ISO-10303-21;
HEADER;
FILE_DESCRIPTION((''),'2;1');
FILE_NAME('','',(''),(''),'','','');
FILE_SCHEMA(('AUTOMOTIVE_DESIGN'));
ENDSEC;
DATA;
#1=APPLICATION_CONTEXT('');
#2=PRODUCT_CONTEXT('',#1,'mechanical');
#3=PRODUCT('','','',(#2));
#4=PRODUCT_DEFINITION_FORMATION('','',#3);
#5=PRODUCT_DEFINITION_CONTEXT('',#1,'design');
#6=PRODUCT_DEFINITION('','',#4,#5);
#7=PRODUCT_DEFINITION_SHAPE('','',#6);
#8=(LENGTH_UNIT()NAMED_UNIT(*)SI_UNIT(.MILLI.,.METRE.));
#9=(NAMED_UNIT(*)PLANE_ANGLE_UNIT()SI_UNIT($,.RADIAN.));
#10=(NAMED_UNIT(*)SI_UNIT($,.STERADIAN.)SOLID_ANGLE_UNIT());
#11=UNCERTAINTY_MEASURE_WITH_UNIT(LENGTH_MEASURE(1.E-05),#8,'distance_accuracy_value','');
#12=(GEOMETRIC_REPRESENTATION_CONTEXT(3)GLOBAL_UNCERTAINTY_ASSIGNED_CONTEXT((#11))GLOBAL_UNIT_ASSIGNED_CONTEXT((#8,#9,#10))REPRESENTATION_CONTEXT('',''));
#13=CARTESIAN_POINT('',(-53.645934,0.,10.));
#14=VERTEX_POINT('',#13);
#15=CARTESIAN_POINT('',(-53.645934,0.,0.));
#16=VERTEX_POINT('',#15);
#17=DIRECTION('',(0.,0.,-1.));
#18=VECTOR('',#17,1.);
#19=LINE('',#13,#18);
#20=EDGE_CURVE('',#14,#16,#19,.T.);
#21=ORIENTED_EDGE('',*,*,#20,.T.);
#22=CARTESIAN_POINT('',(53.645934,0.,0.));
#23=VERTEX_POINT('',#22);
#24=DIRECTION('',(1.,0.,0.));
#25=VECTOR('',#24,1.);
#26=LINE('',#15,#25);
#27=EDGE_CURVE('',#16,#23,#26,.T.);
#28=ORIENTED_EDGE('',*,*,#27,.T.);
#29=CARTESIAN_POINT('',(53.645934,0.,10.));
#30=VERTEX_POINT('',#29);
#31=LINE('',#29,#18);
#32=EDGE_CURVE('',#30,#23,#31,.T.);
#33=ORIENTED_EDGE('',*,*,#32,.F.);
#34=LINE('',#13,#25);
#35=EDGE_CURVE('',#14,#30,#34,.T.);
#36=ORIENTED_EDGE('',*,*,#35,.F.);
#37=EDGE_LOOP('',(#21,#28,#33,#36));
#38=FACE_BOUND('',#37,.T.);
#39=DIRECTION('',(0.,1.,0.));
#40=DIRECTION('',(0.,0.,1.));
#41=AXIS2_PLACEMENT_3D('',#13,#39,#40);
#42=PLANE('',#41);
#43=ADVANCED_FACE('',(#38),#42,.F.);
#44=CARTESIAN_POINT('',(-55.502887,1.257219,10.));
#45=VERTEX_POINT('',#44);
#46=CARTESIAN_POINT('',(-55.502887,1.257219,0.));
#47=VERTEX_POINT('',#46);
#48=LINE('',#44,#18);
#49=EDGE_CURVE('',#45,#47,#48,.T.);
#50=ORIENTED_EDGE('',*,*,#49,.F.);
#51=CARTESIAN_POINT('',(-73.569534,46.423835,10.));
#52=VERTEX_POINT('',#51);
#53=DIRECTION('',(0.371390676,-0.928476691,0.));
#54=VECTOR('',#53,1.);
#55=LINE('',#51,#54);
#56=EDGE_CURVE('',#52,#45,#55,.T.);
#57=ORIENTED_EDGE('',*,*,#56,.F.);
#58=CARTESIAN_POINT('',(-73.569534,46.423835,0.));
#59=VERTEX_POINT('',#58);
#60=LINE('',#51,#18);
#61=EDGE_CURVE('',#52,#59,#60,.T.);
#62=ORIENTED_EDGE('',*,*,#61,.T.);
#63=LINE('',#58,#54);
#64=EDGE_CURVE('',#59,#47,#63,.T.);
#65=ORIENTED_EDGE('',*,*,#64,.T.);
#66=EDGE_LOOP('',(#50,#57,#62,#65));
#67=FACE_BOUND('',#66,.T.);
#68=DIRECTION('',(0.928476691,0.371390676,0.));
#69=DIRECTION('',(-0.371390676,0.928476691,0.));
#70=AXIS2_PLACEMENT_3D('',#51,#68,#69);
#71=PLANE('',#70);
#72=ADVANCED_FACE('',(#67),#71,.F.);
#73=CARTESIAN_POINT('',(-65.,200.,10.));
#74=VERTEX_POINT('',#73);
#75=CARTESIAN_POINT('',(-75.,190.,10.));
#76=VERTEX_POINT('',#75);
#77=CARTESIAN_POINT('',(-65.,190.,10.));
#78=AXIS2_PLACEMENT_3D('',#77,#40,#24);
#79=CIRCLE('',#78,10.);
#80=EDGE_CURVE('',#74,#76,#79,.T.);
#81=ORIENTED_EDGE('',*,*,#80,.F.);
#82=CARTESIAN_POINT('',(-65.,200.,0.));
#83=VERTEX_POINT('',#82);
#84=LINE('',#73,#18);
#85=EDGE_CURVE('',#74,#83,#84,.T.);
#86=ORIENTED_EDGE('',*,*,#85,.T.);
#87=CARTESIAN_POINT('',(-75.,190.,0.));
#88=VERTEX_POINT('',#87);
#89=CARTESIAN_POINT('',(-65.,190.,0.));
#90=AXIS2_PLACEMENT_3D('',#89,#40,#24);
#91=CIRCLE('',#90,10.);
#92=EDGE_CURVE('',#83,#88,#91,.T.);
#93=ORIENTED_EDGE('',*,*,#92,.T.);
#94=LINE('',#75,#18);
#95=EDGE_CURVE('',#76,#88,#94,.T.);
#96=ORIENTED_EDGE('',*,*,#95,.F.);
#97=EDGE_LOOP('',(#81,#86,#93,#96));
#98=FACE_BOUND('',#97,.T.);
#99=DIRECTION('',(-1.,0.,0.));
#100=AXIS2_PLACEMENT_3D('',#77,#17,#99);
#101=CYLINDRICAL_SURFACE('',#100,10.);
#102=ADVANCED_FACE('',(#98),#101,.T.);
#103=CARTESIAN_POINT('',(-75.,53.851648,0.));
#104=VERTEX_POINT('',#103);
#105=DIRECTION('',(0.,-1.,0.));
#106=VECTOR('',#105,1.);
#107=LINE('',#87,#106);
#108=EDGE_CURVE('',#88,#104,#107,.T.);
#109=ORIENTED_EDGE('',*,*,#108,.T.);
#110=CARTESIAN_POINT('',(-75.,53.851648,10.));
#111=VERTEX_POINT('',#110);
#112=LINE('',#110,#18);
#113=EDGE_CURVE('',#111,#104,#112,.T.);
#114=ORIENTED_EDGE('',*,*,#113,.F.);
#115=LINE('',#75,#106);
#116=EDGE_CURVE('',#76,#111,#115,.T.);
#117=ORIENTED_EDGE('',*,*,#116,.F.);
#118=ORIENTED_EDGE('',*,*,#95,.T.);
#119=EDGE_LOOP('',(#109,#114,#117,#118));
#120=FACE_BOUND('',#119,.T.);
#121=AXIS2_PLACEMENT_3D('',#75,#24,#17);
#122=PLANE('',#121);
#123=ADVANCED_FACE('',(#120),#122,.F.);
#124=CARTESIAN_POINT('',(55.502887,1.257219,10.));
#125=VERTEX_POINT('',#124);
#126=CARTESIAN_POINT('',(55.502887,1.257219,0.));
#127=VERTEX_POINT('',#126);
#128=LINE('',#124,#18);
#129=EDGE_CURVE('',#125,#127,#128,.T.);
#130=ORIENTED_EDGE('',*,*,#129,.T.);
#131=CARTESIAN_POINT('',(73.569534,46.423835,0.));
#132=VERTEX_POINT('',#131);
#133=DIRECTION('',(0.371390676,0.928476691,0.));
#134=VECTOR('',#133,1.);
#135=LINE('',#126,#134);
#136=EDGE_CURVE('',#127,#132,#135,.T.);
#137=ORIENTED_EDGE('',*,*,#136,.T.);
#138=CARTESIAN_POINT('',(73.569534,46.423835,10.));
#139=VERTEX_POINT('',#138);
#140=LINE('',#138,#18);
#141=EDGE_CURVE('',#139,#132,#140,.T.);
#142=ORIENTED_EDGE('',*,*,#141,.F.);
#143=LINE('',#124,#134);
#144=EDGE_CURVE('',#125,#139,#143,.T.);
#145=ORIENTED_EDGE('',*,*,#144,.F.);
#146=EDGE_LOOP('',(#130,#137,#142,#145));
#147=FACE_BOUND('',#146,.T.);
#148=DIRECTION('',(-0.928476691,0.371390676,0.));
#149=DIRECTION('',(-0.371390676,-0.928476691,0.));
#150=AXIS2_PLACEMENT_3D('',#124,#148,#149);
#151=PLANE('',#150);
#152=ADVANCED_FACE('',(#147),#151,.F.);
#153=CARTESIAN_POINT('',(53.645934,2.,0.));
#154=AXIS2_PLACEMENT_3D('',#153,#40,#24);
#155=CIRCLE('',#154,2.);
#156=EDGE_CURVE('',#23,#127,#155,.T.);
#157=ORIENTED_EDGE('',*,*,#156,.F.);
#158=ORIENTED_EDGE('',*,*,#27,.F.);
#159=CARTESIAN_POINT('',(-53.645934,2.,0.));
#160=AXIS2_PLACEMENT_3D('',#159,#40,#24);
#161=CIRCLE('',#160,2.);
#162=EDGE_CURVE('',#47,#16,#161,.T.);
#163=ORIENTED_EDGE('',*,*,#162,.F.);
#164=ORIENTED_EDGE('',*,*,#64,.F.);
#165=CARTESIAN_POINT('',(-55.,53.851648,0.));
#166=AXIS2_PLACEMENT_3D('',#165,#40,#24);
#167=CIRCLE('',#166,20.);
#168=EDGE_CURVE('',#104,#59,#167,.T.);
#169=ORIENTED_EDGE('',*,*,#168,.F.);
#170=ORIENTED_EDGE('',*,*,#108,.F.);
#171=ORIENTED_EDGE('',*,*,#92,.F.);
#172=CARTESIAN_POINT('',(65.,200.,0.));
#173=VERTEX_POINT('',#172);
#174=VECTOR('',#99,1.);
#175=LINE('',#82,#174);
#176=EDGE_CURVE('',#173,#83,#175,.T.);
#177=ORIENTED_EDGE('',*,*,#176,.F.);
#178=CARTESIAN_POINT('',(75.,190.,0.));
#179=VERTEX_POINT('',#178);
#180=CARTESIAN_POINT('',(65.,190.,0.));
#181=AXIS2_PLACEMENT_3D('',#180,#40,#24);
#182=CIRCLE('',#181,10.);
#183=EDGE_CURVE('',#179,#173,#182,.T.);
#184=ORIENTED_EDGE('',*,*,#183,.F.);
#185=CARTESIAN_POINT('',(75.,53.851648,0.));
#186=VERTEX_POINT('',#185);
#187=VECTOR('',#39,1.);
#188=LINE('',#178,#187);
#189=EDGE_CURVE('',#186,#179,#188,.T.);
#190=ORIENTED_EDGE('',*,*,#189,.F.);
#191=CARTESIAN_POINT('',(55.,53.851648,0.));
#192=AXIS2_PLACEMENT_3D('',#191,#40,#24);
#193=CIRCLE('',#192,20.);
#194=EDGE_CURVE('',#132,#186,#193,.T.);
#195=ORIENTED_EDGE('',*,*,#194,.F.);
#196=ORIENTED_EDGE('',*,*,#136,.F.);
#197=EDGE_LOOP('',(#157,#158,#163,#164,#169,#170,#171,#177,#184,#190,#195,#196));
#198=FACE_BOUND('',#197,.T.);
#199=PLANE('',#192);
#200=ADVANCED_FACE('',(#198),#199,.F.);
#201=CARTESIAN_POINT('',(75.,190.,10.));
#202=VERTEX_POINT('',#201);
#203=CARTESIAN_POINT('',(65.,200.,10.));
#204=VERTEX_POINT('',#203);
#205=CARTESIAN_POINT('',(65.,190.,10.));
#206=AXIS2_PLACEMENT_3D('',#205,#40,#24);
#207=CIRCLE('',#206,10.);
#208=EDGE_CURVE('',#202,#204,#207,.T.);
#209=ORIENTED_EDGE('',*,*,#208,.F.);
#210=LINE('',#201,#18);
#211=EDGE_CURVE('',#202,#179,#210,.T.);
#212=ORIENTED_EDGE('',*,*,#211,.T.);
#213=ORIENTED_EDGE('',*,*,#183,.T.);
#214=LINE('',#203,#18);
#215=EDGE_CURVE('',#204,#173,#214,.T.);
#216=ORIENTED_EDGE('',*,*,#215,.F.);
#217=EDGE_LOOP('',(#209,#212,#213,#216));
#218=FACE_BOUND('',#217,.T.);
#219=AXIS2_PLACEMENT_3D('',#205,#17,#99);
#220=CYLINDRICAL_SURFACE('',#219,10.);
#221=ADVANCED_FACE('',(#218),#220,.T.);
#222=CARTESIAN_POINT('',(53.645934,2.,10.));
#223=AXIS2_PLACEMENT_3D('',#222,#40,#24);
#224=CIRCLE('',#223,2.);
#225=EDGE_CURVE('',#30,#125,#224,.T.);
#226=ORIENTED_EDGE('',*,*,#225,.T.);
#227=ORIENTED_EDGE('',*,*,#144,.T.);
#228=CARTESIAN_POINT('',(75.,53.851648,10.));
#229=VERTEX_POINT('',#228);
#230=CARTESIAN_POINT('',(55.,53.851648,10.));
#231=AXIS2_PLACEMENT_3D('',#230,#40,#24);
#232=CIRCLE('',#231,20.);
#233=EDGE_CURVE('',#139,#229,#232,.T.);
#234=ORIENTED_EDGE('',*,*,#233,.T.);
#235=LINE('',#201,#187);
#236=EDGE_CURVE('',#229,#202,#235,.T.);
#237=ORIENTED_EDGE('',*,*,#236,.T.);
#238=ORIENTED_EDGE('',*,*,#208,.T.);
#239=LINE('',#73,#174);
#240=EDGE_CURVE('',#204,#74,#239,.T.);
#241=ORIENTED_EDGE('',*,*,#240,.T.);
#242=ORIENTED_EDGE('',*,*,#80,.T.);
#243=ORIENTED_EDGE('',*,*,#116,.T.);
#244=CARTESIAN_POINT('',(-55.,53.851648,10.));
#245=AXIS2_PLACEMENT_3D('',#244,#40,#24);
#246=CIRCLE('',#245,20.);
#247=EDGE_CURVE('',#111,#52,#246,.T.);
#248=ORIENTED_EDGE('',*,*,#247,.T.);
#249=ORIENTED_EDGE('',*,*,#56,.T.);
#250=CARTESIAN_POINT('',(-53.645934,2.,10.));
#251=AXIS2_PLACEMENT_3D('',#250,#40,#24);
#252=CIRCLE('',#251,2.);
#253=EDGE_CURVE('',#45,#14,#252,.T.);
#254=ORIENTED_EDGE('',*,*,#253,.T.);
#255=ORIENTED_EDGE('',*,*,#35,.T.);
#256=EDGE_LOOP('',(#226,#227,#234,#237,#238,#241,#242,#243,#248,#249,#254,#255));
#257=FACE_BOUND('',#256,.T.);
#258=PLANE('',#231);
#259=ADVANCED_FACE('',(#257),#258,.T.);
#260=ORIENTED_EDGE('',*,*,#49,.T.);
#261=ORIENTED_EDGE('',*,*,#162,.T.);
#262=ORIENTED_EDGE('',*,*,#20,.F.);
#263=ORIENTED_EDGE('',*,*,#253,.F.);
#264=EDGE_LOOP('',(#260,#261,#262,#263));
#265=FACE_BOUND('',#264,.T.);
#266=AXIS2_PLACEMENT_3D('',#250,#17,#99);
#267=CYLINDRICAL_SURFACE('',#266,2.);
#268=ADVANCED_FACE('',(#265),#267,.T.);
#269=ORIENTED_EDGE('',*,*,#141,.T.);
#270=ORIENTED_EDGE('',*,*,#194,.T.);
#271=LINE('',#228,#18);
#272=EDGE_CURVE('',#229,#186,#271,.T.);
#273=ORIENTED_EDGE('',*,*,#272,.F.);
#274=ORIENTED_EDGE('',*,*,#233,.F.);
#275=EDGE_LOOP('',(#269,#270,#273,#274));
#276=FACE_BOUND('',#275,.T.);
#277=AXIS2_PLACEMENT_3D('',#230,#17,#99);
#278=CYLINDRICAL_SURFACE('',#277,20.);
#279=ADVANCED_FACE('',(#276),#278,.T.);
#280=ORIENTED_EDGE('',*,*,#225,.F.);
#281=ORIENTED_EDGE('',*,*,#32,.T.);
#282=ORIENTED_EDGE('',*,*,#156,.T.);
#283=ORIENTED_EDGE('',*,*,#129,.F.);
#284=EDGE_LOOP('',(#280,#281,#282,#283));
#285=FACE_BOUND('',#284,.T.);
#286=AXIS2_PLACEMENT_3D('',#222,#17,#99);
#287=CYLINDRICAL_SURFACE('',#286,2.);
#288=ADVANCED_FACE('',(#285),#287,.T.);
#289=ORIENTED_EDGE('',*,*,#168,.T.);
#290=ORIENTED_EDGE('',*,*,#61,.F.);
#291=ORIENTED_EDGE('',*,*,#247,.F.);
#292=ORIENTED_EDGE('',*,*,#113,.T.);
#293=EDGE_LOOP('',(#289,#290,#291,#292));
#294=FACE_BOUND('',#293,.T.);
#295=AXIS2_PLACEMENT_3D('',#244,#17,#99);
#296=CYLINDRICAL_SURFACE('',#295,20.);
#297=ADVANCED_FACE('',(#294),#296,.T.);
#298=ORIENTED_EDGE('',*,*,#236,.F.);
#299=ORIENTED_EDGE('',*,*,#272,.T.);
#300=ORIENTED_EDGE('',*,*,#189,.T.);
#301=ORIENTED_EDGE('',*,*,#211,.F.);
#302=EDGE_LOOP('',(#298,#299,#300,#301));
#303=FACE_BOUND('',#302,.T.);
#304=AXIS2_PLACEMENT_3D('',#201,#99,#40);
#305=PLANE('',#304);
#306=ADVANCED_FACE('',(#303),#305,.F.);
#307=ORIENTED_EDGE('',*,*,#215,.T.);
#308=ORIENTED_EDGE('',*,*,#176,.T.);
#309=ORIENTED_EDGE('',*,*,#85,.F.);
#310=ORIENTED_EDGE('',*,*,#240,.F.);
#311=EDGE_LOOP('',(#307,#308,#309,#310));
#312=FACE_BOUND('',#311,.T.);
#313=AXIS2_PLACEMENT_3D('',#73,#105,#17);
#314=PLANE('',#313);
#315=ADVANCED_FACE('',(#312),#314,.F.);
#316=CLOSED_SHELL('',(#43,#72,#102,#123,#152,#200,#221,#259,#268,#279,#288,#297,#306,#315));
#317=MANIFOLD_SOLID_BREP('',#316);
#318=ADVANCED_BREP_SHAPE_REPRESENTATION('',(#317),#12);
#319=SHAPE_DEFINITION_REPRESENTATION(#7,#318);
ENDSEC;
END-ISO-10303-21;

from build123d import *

# Parameters (mm, degrees)
BOSS_EXTRUDE1_DEPTH = 10


with BuildPart() as part:
    # Sketch-lid body → Boss-Extrude1 (new body)
    with BuildSketch(Plane.XY):
        with BuildLine():
            Line((55.502887459, 1.257218647), (73.569533818, 46.423834544))
            ThreePointArc((73.569533818, 46.423834544), (74.639127735, 50.069497648), (75, 53.851648071))
            Line((75, 53.851648071), (75, 190))
            ThreePointArc((75, 190), (72.071067812, 197.071067812), (65, 200))
            Line((65, 200), (-65, 200))
            ThreePointArc((-65, 200), (-72.071067812, 197.071067812), (-75, 190))
            Line((-75, 190), (-75, 53.851648071))
            ThreePointArc((-75, 53.851648071), (-74.639127735, 50.069497648), (-73.569533818, 46.423834544))
            Line((-73.569533818, 46.423834544), (-55.502887459, 1.257218647))
            ThreePointArc((-55.502887459, 1.257218647), (-54.767191696, 0.343865539), (-53.645934077, 0))
            Line((-53.645934077, 0), (53.645934077, 0))
            ThreePointArc((53.645934077, 0), (54.767191696, 0.343865539), (55.502887459, 1.257218647))
        make_face()
    extrude(amount=BOSS_EXTRUDE1_DEPTH)


solid = part.part
